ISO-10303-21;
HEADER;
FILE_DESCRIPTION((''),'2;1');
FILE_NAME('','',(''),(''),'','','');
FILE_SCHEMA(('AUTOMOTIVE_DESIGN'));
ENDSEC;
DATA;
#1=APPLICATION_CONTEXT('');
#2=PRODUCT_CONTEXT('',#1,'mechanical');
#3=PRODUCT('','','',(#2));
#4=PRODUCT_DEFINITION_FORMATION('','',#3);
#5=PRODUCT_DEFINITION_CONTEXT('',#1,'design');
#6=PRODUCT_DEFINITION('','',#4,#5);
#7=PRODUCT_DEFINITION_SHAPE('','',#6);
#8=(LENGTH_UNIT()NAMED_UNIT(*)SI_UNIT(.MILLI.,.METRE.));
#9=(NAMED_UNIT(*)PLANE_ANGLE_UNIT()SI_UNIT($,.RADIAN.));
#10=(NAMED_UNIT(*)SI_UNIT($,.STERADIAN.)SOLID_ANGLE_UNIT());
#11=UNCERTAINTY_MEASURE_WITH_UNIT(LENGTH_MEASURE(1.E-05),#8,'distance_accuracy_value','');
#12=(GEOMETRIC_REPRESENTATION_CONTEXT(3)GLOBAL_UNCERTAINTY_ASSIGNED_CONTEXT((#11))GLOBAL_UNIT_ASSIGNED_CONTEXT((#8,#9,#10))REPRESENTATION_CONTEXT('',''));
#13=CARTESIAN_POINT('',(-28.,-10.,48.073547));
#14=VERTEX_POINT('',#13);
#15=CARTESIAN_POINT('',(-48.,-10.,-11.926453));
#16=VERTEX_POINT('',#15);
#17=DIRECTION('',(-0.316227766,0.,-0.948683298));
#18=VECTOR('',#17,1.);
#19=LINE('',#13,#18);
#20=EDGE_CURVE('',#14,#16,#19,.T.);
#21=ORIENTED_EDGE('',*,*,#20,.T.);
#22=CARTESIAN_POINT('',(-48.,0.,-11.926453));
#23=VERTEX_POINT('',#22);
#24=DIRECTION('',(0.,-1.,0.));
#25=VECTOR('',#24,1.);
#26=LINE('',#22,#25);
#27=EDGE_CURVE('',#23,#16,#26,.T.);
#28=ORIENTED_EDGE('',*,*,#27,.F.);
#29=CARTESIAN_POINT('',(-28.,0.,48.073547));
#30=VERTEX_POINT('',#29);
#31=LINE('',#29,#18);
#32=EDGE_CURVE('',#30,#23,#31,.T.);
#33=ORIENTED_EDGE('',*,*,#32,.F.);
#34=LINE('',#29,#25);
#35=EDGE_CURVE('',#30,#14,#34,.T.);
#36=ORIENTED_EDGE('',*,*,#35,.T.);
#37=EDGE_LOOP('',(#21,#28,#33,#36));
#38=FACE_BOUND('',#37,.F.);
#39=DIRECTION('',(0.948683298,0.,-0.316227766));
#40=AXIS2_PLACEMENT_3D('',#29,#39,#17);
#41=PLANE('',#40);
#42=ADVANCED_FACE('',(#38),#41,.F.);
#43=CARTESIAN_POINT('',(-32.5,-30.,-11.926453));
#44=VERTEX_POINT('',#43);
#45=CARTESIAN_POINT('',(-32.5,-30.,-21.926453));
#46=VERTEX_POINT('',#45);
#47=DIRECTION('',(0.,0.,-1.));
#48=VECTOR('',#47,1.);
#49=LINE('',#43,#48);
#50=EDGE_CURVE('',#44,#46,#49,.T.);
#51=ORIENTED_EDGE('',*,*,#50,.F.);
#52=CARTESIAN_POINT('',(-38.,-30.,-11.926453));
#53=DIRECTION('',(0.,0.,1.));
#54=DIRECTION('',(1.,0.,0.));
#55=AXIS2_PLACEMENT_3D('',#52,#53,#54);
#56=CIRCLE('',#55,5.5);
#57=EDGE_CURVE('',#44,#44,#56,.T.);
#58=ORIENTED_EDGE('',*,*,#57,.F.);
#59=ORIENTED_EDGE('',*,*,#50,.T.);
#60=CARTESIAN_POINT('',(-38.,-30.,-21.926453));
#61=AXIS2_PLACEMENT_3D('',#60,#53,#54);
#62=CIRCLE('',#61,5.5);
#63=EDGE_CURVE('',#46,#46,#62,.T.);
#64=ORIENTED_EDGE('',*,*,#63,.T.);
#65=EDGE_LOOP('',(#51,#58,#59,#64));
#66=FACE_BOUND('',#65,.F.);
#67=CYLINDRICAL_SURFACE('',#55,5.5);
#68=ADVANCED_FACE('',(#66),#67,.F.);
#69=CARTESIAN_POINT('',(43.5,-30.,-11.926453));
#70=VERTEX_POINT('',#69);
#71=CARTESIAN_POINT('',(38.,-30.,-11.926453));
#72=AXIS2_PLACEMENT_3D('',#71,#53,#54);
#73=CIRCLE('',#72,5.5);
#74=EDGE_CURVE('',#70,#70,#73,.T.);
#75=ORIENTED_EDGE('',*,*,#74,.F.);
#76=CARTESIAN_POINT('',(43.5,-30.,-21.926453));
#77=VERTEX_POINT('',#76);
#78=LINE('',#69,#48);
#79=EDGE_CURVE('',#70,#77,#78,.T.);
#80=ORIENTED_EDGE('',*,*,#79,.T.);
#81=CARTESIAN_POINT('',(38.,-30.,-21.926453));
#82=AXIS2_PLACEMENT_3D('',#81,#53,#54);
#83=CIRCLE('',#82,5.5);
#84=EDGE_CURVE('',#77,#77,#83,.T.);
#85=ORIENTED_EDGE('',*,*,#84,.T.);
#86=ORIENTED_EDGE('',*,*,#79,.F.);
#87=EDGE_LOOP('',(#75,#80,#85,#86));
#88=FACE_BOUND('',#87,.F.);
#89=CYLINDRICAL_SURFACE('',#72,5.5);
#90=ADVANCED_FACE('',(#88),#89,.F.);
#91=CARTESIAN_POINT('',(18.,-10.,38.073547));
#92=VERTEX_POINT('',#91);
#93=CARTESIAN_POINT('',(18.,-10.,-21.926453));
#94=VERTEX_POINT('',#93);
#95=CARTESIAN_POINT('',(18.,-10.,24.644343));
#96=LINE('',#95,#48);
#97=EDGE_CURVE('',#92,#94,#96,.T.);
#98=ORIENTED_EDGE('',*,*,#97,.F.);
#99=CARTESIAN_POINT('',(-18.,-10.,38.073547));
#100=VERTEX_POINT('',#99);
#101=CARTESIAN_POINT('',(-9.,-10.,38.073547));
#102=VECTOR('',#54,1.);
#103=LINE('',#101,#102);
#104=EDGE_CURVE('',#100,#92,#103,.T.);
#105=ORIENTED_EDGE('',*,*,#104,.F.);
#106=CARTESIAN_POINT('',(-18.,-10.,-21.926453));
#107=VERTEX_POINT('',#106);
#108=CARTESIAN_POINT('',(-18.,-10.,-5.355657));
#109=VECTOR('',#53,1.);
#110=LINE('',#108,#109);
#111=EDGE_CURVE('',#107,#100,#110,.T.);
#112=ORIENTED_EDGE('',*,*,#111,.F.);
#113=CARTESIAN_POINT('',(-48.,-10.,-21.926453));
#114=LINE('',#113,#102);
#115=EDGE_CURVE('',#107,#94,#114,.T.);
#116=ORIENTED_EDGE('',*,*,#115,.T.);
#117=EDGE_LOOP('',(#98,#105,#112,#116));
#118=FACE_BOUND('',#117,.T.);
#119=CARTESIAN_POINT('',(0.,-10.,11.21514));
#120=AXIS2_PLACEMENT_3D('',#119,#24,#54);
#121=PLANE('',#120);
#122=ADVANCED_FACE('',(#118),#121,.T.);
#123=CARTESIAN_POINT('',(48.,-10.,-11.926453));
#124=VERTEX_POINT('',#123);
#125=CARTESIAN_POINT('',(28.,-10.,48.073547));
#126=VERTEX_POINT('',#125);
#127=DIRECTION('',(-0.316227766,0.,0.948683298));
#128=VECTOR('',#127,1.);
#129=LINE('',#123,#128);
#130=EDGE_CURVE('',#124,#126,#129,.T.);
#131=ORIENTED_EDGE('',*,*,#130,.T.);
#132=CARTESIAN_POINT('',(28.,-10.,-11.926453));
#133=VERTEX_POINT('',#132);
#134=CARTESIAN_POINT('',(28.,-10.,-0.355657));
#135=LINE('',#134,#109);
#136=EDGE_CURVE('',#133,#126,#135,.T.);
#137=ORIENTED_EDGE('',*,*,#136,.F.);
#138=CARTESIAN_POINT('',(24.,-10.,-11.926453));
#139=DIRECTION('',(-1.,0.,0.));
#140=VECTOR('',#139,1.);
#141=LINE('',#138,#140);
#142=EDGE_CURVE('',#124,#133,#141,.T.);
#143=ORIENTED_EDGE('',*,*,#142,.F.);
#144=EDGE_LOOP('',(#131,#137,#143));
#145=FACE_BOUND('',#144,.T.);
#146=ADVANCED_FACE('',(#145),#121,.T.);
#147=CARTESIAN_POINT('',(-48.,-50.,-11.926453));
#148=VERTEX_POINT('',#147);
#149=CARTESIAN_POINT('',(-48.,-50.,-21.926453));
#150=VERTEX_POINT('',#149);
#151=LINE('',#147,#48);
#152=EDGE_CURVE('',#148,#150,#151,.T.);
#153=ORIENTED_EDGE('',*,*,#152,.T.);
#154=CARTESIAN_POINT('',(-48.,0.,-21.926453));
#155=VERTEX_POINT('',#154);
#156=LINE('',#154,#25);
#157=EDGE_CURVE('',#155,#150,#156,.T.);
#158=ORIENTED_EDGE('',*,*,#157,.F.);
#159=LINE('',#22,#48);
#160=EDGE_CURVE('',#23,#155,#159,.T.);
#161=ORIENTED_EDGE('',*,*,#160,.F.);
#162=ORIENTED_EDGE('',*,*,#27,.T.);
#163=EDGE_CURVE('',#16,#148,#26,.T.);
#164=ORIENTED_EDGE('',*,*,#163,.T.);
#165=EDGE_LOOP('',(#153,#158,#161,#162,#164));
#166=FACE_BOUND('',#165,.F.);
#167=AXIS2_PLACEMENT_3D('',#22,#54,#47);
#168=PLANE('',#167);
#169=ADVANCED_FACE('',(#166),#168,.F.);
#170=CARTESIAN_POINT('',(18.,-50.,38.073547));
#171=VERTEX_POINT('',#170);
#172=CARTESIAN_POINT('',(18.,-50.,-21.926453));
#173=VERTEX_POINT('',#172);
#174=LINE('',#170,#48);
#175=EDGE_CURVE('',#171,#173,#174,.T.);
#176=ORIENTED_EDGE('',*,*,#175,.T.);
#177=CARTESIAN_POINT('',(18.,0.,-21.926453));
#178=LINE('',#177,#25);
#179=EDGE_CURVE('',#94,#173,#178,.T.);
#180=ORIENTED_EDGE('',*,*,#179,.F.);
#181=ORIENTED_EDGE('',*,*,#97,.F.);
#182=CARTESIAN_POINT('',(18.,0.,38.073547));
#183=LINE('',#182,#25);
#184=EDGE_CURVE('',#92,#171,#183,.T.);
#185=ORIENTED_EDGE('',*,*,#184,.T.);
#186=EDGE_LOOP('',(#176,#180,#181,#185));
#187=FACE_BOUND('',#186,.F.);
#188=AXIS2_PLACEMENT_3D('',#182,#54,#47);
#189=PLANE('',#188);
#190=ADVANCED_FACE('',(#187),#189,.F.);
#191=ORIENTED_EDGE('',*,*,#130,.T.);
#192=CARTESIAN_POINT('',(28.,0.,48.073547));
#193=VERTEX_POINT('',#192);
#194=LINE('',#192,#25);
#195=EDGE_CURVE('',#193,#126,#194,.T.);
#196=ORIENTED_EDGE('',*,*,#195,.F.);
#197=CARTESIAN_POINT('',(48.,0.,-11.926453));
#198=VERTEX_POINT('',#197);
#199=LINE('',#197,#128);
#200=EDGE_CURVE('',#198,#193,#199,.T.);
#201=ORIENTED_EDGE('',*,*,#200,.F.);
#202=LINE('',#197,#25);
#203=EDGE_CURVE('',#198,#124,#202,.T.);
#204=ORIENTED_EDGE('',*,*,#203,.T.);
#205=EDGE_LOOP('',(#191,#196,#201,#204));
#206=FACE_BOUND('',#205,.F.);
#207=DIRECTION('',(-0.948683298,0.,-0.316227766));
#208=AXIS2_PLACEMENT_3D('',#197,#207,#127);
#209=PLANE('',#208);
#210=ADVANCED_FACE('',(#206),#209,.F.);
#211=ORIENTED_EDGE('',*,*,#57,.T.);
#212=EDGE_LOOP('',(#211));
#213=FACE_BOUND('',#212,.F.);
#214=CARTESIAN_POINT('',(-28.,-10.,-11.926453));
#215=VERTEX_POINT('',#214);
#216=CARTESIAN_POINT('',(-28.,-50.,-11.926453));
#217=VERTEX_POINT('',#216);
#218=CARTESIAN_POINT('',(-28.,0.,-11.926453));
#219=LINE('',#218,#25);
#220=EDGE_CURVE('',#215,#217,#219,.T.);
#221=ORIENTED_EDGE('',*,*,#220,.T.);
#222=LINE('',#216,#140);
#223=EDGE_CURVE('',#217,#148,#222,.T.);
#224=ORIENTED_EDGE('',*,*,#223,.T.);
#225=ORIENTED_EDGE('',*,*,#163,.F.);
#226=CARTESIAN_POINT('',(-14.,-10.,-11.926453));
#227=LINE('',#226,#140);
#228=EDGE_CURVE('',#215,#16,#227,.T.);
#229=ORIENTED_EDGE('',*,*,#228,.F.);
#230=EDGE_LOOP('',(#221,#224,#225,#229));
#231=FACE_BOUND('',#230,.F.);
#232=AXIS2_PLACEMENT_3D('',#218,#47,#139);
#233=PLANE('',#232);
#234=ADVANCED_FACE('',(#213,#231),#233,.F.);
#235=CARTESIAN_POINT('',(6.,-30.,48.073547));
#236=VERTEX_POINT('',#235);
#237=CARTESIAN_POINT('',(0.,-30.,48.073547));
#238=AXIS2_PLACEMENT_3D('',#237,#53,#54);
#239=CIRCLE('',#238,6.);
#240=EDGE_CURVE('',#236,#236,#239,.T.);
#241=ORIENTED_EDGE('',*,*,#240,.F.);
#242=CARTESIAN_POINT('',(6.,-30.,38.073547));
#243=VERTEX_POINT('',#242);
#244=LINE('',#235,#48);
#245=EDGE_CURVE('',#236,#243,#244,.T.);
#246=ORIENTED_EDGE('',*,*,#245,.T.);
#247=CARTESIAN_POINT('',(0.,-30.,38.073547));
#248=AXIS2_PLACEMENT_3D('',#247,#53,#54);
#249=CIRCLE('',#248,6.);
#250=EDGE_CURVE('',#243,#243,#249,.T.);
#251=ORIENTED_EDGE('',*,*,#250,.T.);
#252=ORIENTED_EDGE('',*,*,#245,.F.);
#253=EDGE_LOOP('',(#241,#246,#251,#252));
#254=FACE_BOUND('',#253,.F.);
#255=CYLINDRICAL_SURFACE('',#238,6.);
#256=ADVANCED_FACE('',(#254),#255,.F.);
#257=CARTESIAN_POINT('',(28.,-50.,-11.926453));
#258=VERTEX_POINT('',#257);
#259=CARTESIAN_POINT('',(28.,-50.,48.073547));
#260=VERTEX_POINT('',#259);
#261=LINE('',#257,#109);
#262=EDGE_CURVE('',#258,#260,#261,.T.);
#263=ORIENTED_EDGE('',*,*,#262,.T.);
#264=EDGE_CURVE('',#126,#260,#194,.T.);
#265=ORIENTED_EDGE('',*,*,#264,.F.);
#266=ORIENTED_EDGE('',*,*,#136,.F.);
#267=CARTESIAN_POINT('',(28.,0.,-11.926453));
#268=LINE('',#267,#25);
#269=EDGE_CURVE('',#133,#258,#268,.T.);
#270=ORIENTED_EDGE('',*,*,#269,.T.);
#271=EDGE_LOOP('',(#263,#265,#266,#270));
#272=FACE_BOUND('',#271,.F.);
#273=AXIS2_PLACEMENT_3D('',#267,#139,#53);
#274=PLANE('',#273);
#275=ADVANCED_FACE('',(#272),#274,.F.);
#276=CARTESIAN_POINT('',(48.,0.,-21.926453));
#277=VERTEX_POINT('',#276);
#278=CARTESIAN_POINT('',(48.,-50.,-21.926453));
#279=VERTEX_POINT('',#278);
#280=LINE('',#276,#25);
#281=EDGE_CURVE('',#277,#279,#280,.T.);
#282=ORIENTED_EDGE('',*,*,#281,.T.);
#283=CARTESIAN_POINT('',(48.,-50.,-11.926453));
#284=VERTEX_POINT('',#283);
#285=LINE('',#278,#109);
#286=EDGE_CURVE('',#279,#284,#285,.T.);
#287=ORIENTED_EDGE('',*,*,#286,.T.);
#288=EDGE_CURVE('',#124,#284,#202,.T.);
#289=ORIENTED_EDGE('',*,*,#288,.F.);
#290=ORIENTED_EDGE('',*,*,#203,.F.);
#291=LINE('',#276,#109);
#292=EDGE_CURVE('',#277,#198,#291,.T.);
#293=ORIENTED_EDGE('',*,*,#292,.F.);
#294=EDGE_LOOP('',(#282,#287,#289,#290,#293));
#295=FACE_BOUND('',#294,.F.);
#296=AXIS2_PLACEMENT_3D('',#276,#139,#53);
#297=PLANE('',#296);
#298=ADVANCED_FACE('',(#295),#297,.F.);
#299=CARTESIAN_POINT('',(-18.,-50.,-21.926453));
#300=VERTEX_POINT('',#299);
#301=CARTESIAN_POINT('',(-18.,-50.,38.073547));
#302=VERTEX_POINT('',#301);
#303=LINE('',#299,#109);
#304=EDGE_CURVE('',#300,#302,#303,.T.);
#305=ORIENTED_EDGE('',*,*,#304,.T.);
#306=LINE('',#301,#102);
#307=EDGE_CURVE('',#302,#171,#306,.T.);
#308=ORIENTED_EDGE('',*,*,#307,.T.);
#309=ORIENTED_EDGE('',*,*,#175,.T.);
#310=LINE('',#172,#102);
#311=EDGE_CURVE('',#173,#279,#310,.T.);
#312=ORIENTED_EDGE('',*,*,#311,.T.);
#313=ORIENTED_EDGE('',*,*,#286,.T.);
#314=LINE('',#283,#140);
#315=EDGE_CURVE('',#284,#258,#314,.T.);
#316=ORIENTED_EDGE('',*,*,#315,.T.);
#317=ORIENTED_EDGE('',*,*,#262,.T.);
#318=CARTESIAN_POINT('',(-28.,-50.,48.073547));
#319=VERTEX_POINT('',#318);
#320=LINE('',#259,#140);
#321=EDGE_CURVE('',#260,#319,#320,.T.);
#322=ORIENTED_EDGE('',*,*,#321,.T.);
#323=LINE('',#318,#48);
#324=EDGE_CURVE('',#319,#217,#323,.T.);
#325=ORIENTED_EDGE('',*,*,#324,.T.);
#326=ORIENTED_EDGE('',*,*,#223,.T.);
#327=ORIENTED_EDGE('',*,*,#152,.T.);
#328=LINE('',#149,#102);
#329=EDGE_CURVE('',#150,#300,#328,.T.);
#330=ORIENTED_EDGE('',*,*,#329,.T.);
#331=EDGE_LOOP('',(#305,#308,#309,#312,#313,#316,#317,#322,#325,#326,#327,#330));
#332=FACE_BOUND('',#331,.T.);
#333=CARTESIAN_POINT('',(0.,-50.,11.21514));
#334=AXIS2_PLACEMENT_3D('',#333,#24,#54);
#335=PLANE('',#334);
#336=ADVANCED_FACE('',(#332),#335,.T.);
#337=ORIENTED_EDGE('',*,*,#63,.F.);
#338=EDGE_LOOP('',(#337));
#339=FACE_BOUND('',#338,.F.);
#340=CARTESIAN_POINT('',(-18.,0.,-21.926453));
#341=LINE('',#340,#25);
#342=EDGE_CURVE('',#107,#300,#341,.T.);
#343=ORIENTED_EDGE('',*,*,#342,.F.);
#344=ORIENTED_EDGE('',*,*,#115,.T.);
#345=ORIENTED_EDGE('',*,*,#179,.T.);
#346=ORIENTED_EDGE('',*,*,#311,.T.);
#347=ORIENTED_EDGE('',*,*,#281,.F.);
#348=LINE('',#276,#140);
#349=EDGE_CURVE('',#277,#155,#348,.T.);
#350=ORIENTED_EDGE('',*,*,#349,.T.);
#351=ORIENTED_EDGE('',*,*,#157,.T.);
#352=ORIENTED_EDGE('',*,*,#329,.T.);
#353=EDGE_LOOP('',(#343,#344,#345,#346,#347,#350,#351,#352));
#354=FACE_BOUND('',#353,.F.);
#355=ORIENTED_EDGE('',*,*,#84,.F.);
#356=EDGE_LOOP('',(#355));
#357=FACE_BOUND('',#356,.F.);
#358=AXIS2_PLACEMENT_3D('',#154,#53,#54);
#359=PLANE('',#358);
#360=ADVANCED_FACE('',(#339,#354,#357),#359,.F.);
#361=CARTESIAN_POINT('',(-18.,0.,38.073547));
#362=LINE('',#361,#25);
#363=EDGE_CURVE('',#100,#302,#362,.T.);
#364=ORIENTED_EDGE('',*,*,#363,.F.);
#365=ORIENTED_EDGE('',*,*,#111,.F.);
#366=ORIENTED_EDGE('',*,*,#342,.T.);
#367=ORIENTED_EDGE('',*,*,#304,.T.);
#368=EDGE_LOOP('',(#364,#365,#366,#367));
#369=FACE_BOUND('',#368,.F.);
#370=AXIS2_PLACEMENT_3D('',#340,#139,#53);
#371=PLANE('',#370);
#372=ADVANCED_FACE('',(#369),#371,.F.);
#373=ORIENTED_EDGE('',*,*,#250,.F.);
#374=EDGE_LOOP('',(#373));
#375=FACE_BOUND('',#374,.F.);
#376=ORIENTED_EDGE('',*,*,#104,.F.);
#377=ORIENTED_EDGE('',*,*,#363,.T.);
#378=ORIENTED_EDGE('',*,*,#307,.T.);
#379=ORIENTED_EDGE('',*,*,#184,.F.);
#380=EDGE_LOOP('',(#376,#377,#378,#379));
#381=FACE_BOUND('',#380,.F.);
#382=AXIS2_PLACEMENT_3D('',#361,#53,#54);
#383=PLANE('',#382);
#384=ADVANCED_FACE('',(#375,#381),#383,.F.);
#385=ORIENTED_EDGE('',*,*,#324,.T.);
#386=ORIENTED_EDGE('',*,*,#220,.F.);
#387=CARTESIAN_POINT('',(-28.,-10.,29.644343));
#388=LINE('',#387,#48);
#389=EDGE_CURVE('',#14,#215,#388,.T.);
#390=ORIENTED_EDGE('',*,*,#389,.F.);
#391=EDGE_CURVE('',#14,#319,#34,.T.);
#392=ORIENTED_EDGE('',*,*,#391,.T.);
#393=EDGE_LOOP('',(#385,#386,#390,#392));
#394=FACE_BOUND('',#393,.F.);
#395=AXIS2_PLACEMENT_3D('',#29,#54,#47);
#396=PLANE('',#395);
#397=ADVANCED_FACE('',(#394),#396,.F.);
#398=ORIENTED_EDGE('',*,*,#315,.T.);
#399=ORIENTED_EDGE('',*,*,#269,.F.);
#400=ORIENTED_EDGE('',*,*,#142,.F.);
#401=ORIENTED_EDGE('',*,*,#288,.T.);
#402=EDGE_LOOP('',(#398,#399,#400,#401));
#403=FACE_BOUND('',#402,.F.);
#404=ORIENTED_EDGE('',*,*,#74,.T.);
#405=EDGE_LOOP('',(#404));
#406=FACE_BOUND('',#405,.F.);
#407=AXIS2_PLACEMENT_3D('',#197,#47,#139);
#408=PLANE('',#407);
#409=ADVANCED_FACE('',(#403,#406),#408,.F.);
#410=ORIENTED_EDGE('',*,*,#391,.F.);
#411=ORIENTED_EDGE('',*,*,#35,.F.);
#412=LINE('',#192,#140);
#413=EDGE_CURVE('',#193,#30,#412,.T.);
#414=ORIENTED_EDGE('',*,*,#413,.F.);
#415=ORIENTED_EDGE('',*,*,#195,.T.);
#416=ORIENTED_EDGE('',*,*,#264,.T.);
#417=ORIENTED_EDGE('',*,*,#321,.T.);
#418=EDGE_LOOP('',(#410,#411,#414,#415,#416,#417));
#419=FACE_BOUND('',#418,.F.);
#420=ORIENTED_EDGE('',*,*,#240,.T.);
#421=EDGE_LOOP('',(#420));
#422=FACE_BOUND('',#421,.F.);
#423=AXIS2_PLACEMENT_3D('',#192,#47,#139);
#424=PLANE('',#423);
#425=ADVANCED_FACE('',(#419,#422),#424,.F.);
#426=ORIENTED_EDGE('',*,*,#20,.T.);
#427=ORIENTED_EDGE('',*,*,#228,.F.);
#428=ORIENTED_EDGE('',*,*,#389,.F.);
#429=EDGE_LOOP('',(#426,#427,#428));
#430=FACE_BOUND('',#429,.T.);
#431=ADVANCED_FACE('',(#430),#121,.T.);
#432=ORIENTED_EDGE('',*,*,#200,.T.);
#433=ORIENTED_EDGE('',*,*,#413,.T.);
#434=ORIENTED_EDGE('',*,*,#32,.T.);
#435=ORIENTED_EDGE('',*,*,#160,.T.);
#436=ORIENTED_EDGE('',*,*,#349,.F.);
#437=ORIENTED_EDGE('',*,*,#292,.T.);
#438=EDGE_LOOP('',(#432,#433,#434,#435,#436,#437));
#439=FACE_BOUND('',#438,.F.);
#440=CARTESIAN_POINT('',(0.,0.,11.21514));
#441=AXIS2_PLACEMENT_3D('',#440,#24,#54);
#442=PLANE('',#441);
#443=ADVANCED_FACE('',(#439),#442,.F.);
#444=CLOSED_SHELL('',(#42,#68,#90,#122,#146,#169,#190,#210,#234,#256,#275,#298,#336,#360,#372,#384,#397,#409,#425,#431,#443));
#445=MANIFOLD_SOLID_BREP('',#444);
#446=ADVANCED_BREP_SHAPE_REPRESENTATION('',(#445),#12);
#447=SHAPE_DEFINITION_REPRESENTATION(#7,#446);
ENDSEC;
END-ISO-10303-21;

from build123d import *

# Parameters (mm, degrees)
F1_DEPTH = 50
F2_DEPTH = 10
F3_R     = 5.5
F4_DEPTH = 10
F5_R     = 6
F6_DEPTH = 12


with BuildPart() as f1:
    # F0 (on Front) → F1 (new body)
    with BuildSketch(Plane.XZ):
        Polygon((28, 48.073547), (0, 48.073547), (-28, 48.073547), (-28, -11.926453), (-48, -11.926453), (-48, -21.926453), (-18, -21.926453), (-18, 38.073547), (0, 38.073547), (18, 38.073547), (18, -21.926453), (48, -21.926453), (48, -11.926453), (28, -11.926453), align=None)
    extrude(amount=F1_DEPTH)

    # F0 (on Front) → F2 (join)
    with BuildSketch(Plane.XZ):
        Polygon((28, 48.073547), (0, 48.073547), (-28, 48.073547), (-28, -11.926453), (-48, -11.926453), (-48, -21.926453), (-18, -21.926453), (-18, 38.073547), (0, 38.073547), (18, 38.073547), (18, -21.926453), (48, -21.926453), (48, -11.926453), (28, -11.926453), align=None)
        Polygon((-28, -11.926453), (-28, 48.073547), (-48, -11.926453), align=None)
        Polygon((48, -11.926453), (28, 48.073547), (28, -11.926453), align=None)
        Polygon((-18, 38.073547), (-18, -21.926453), (0, -21.926453), (18, -21.926453), (18, 38.073547), (0, 38.073547), align=None)
    extrude(amount=F2_DEPTH)

    # F3 (on face) → F4 (cut)
    with BuildSketch(Plane.XY.offset(-11.926453)):
        with Locations((-38, -30)):
            Circle(F3_R)
        with Locations((38, -30)):
            Circle(F3_R)
    extrude(amount=-F4_DEPTH, mode=Mode.SUBTRACT)

    # F5 (on face) → F6 (cut)
    with BuildSketch(Plane.XY.offset(48.073547)):
        with Locations((0, -30)):
            Circle(F5_R)
    extrude(amount=-F6_DEPTH, mode=Mode.SUBTRACT)


solid = f1.part
